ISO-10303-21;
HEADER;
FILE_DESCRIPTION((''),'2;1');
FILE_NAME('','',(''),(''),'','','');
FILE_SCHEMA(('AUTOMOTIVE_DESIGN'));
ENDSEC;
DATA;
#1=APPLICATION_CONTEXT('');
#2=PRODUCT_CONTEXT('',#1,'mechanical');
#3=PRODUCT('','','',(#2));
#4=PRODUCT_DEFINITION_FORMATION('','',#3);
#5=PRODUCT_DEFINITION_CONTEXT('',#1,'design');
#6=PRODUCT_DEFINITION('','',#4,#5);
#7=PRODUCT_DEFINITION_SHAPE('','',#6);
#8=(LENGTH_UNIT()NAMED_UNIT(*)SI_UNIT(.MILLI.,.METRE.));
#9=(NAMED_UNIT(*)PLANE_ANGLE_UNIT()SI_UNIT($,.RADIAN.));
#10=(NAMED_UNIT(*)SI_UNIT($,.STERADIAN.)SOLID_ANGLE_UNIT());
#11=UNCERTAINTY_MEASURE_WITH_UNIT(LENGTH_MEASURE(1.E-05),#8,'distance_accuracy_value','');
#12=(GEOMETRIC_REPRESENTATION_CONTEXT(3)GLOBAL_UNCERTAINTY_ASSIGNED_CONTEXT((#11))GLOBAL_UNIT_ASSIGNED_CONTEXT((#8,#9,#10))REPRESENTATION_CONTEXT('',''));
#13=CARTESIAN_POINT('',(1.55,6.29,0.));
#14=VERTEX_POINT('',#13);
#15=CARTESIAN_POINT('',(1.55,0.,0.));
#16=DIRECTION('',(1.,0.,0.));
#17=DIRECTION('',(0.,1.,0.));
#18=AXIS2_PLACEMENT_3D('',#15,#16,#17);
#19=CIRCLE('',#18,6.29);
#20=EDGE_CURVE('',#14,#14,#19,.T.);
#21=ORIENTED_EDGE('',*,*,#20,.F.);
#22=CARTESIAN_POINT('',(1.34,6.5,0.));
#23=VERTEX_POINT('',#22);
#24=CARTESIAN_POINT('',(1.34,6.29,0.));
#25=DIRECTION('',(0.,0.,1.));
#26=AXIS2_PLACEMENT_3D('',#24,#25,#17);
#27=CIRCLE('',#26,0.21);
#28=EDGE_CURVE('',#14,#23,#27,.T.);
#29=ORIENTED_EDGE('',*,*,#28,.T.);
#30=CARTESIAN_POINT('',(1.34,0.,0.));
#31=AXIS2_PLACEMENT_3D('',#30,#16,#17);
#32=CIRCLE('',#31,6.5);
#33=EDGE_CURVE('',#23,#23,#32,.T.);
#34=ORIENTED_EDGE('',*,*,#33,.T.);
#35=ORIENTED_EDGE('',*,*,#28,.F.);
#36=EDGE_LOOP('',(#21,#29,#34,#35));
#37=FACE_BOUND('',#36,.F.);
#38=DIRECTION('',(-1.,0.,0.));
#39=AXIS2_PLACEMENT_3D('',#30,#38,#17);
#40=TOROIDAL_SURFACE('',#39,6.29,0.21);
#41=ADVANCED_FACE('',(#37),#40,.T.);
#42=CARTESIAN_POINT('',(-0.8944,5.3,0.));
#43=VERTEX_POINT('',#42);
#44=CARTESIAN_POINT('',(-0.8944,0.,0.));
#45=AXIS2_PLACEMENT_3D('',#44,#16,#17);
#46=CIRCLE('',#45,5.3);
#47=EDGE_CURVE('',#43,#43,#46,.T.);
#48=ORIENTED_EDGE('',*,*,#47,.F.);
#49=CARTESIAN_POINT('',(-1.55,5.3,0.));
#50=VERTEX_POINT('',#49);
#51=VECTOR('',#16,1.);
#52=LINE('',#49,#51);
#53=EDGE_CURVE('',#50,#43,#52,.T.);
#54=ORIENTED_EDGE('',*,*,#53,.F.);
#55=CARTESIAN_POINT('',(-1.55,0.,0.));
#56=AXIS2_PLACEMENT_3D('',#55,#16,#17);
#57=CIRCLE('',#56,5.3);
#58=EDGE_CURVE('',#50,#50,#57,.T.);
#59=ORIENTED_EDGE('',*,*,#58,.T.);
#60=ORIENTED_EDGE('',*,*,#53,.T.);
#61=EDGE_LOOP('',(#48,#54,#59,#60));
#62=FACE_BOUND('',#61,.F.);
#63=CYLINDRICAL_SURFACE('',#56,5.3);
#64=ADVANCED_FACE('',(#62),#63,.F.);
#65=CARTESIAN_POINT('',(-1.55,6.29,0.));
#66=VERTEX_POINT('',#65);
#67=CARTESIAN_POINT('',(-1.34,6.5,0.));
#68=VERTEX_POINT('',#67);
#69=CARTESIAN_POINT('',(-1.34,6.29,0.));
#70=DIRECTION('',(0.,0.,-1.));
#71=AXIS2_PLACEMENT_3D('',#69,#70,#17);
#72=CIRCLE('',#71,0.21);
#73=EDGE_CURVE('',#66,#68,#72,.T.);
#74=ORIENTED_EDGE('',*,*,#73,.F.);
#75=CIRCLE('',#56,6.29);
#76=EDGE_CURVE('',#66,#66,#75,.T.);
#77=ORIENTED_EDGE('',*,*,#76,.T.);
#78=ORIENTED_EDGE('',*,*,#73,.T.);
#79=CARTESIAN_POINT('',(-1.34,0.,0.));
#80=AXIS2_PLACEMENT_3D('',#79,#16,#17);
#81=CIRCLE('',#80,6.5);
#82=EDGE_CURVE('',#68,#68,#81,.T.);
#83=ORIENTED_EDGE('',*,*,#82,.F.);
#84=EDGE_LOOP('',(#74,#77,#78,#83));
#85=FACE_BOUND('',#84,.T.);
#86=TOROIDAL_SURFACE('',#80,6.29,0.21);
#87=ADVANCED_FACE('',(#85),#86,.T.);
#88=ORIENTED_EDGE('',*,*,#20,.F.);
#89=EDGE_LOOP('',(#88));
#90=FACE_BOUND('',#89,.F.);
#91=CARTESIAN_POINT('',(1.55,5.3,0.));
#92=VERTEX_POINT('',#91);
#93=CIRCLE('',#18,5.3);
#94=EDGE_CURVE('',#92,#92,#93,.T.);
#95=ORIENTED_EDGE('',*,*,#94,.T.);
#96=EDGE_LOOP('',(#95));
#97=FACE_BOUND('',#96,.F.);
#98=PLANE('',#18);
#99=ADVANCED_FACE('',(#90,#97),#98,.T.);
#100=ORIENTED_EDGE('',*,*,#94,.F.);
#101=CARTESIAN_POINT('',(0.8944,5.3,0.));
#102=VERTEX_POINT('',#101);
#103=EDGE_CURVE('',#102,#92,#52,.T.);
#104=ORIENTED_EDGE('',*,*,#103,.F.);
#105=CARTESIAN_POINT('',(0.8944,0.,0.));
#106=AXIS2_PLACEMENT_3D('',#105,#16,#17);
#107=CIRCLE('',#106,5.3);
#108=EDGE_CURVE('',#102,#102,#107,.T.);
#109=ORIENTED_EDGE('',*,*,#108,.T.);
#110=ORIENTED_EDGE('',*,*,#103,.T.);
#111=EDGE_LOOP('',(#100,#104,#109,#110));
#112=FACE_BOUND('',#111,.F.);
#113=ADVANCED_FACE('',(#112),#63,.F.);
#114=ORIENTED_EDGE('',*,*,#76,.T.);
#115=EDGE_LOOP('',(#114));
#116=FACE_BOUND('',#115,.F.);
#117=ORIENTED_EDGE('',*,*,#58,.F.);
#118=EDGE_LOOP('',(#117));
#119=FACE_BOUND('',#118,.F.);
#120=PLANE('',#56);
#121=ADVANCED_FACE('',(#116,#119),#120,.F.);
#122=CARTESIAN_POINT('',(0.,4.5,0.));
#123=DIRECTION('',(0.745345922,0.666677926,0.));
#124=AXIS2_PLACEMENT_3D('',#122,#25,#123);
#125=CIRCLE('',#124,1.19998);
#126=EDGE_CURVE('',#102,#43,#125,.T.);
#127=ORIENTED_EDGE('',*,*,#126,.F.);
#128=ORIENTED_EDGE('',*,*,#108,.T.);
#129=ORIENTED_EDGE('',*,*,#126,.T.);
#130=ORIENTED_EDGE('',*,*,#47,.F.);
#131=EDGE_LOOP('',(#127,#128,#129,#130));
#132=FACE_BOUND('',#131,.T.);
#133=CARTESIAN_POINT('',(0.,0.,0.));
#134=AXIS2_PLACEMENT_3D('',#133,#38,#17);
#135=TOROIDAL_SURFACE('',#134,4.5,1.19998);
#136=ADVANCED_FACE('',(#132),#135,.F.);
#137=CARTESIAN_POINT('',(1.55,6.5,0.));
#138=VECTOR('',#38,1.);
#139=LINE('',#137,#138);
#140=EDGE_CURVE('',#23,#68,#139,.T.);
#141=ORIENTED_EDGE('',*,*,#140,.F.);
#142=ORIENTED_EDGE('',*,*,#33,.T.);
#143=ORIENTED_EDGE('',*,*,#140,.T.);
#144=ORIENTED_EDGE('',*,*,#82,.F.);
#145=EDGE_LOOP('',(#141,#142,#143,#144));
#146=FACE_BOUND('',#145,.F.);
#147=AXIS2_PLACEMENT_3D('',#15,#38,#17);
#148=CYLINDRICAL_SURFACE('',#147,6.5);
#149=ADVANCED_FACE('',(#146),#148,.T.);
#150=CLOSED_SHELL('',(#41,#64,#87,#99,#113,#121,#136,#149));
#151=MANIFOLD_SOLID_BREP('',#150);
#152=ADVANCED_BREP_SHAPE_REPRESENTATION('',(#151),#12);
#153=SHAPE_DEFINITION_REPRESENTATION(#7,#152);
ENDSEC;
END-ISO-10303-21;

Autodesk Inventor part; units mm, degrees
ref_plane "YZ Plane" through (0, 0, 0) normal (1, 0, 0) x (0, 1, 0)
ref_plane "XZ Plane" through (0, 0, 0) normal (0, 1, 0) x (-1, 0, 0)
ref_plane "XY Plane" through (0, 0, 0) normal (0, 0, 1) x (1, 0, 0)
sketch "Sketch2" plane through (0, 0, 0) normal (0, 0, 1) x (1, 0, 0)
  line L0 (1.55, 6.5) -> (-1.55, 6.5)
  line L1 (-1.55, 6.5) -> (-1.55, 5.3)
  line L2 (-1.55, 5.3) -> (1.55, 5.3)
  line L3 (1.55, 5.3) -> (1.55, 6.5)
  arc A0 (0.8944, 5.3) -> (-0.8944, 5.3) centre (0, 4.5) ccw
  line L4 (-2.17, 0) -> (2.17, 0) projected
  point P0 (0, 0)
  dimension "d8" = 3.1
  dimension "d9" = 1.2
  dimension "d10" = 1.55
  dimension "d11" = 5.3
  dimension "d12" = 0.8
  dimension "d13" = 1.2
revolve "Revolution2" add sketch "Sketch2" angle 360 about axis through (-10, 0, 0) along (1, 0, 0) contours L3 L2 A0 L1 L0
fillet "Fillet1" radius 0.21 2 edges at (1.55, -6.5, 0) (-1.55, -6.5, 0)
properties part number "Outer Ring(fixed)"
